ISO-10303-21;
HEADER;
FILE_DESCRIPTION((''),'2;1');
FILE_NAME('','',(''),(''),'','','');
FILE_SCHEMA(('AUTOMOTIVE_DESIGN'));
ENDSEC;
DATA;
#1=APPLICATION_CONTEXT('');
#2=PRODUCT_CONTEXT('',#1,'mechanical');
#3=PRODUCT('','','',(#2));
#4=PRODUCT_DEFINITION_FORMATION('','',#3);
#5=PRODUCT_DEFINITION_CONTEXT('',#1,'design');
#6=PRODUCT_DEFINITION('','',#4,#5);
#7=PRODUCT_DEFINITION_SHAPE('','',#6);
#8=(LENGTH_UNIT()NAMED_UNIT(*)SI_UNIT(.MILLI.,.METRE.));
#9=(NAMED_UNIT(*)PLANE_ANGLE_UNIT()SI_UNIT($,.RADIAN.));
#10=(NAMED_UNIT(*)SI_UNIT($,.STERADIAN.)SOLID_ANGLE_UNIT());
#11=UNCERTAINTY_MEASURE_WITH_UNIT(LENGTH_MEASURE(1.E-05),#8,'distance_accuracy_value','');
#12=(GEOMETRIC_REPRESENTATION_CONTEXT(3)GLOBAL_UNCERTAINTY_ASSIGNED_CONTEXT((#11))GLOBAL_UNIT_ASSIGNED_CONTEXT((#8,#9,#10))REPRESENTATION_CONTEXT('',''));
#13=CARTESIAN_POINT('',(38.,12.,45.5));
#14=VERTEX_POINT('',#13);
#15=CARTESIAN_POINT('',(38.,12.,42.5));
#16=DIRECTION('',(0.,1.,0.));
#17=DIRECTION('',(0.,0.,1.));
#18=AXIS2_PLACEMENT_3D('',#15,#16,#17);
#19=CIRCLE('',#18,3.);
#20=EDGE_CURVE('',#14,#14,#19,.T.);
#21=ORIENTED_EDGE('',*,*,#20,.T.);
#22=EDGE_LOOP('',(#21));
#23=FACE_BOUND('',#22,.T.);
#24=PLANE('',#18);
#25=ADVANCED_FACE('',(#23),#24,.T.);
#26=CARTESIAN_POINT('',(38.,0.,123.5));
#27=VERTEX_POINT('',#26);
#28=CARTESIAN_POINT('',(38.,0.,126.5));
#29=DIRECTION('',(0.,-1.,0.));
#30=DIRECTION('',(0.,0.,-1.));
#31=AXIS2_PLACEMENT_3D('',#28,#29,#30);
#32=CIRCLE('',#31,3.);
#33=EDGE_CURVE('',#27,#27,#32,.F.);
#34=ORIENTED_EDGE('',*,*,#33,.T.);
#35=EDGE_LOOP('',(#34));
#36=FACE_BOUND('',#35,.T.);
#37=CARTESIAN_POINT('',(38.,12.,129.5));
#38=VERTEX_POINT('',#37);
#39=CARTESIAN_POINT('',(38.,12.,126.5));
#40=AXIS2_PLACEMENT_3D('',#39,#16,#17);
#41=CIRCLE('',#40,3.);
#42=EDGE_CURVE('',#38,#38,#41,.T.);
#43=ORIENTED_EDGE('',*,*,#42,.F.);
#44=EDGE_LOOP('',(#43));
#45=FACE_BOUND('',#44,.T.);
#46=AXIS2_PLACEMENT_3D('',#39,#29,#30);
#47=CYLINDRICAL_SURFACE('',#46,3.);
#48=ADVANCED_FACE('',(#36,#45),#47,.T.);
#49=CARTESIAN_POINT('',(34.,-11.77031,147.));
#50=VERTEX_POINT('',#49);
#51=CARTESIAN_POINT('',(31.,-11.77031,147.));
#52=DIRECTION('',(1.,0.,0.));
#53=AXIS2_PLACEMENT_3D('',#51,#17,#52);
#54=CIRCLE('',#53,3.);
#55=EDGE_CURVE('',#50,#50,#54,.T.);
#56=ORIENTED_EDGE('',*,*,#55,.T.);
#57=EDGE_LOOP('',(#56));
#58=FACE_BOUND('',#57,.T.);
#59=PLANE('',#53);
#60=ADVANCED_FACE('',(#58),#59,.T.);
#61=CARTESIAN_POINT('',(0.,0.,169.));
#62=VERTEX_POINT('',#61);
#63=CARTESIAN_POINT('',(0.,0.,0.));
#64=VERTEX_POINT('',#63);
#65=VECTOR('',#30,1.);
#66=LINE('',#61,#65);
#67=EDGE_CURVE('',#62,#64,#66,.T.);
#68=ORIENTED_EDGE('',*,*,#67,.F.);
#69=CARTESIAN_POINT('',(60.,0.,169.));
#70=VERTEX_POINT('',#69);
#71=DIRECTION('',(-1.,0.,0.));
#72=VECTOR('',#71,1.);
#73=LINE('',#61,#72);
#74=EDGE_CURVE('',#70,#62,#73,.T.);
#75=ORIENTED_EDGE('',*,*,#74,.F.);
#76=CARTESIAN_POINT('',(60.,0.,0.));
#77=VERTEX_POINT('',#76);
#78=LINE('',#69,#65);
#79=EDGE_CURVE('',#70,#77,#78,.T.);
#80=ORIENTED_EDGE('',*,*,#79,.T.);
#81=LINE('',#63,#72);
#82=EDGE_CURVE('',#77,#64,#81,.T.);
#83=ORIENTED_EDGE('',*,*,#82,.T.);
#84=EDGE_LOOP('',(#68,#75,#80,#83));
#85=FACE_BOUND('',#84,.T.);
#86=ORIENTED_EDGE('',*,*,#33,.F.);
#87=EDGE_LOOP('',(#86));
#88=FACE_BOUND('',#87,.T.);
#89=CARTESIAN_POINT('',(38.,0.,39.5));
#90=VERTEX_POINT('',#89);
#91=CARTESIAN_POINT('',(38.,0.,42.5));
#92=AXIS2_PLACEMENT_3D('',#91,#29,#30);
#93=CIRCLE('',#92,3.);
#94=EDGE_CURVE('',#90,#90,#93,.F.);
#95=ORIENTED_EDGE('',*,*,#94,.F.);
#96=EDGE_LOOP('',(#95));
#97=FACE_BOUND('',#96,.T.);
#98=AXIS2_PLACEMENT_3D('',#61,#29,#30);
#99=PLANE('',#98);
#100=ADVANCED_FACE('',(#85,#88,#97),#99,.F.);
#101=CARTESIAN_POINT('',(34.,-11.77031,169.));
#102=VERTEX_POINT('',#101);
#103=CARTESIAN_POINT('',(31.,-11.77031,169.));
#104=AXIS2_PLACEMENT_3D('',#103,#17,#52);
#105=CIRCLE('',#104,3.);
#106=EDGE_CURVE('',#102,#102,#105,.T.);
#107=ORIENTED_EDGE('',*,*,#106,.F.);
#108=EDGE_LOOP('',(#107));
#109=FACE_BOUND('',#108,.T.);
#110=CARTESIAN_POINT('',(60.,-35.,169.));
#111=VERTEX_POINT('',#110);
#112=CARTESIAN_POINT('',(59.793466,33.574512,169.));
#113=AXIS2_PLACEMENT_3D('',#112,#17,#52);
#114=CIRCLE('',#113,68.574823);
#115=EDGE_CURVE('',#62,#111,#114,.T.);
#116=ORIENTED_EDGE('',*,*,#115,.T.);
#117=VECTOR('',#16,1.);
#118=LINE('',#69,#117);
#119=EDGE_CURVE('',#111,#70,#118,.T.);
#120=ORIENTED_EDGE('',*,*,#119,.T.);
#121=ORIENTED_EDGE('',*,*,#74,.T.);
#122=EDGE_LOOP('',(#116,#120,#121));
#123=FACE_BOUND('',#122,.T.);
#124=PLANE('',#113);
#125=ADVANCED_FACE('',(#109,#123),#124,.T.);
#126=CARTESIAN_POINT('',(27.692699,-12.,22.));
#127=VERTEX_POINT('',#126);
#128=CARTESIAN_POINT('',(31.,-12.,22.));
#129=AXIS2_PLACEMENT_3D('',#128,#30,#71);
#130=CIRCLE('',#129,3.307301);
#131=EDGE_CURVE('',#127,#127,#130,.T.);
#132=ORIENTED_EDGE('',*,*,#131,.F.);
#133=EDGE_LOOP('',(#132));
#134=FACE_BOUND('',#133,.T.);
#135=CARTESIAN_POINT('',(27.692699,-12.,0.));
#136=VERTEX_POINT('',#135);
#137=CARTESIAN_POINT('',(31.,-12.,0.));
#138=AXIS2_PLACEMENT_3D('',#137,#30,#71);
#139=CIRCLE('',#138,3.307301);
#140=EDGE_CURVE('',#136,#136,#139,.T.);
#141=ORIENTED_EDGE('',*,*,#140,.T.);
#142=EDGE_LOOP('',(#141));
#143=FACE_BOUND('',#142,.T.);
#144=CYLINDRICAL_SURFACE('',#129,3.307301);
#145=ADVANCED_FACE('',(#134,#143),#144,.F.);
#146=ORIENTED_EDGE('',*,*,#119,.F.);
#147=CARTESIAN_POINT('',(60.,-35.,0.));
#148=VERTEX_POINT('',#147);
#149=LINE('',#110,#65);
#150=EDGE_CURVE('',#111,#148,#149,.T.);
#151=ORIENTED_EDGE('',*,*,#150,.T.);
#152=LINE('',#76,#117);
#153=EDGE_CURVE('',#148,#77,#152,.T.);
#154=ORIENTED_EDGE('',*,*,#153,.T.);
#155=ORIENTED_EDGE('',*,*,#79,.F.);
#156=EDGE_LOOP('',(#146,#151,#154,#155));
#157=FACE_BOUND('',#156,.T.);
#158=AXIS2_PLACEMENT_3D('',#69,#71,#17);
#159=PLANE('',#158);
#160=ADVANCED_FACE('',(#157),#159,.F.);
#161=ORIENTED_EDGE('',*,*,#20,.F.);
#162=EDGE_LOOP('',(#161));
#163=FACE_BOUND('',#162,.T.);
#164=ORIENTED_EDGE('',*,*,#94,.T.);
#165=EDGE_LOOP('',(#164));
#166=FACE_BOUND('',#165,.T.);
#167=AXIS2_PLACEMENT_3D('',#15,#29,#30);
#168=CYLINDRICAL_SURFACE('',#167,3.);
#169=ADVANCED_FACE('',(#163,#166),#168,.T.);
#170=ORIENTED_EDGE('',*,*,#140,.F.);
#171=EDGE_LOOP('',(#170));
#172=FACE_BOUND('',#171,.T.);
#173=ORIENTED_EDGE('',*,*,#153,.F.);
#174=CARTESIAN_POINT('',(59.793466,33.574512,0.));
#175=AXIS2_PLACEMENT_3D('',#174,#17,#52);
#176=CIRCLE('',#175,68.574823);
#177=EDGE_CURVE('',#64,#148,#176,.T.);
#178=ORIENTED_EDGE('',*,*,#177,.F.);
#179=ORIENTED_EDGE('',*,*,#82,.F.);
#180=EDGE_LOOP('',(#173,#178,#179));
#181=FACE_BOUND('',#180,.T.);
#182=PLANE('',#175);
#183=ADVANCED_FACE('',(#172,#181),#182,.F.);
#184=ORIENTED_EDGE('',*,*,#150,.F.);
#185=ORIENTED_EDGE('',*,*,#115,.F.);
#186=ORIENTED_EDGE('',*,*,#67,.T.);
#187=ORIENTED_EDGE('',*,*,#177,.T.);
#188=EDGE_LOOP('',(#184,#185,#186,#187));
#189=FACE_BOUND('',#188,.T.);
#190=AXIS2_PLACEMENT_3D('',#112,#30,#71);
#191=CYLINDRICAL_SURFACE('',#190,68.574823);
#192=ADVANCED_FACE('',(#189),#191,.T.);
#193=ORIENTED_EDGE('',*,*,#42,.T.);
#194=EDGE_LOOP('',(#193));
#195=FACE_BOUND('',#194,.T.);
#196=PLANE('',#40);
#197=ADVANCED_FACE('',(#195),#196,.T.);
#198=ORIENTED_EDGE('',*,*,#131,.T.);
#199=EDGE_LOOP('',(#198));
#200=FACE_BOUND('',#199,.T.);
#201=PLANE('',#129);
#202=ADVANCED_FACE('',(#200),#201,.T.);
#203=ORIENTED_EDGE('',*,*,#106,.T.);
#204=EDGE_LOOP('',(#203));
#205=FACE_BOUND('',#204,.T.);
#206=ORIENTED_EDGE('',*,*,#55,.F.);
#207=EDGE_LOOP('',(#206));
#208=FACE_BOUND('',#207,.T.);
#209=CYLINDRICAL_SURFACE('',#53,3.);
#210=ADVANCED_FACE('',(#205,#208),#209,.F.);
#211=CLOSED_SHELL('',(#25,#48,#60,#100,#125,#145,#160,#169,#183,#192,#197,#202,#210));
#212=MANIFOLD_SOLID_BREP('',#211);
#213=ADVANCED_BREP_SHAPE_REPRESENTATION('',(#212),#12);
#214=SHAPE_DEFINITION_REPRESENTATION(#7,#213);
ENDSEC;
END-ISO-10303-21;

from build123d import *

# Parameters (mm, degrees)
BOSS_EXTRU_1_DEPTH      = 169
ESQUISSE2_R             = 3.307300662
ENL_V_MAT_EXTRU_1_DEPTH = 22
ESQUISSE3_R             = 3
BOSS_EXTRU_3_DEPTH      = 12
ESQUISSE4_R             = 3
BOSS_EXTRU_4_DEPTH      = 12
ESQUISSE5_R             = 3
ENL_V_MAT_EXTRU_2_DEPTH = 22


with BuildPart() as part:
    # Esquisse1 → Boss.-Extru.1 (new body)
    with BuildSketch(Plane.XY):
        with BuildLine():
            Line((0, 0), (60, 0))
            Line((60, 0), (60, -35))
            ThreePointArc((60, -35), (25.240598959, -25.658973212), (0, 0))
        make_face()
    extrude(amount=BOSS_EXTRU_1_DEPTH)

    # Esquisse2 → Enlèv. mat.-Extru.1 (cut)
    with BuildSketch(Plane(origin=(0, 0, 0), x_dir=(-1, 0, 0), z_dir=(0, 0, -1))):
        with Locations((-31, -12)):
            Circle(ESQUISSE2_R)
    extrude(amount=-ENL_V_MAT_EXTRU_1_DEPTH, mode=Mode.SUBTRACT)

    # Esquisse3 → Boss.-Extru.3 (add)
    with BuildSketch(Plane(origin=(0, 0, 0), x_dir=(1, 0, 0), z_dir=(0, 1, 0))):
        with Locations(Location((38, -42.5, 0), (0, 0, 90))):
            Circle(ESQUISSE3_R)
    extrude(amount=BOSS_EXTRU_3_DEPTH)

    # Esquisse4 → Boss.-Extru.4 (add)
    with BuildSketch(Plane(origin=(0, 0, 0), x_dir=(1, 0, 0), z_dir=(0, 1, 0))):
        with Locations(Location((38, -126.5, 0), (0, 0, 90))):
            Circle(ESQUISSE4_R)
    extrude(amount=BOSS_EXTRU_4_DEPTH)

    # Esquisse5 → Enlèv. mat.-Extru.2 (cut)
    with BuildSketch(Plane.XY.offset(169)):
        with Locations((31, -11.770310322)):
            Circle(ESQUISSE5_R)
    extrude(amount=-ENL_V_MAT_EXTRU_2_DEPTH, mode=Mode.SUBTRACT)


solid = part.part
